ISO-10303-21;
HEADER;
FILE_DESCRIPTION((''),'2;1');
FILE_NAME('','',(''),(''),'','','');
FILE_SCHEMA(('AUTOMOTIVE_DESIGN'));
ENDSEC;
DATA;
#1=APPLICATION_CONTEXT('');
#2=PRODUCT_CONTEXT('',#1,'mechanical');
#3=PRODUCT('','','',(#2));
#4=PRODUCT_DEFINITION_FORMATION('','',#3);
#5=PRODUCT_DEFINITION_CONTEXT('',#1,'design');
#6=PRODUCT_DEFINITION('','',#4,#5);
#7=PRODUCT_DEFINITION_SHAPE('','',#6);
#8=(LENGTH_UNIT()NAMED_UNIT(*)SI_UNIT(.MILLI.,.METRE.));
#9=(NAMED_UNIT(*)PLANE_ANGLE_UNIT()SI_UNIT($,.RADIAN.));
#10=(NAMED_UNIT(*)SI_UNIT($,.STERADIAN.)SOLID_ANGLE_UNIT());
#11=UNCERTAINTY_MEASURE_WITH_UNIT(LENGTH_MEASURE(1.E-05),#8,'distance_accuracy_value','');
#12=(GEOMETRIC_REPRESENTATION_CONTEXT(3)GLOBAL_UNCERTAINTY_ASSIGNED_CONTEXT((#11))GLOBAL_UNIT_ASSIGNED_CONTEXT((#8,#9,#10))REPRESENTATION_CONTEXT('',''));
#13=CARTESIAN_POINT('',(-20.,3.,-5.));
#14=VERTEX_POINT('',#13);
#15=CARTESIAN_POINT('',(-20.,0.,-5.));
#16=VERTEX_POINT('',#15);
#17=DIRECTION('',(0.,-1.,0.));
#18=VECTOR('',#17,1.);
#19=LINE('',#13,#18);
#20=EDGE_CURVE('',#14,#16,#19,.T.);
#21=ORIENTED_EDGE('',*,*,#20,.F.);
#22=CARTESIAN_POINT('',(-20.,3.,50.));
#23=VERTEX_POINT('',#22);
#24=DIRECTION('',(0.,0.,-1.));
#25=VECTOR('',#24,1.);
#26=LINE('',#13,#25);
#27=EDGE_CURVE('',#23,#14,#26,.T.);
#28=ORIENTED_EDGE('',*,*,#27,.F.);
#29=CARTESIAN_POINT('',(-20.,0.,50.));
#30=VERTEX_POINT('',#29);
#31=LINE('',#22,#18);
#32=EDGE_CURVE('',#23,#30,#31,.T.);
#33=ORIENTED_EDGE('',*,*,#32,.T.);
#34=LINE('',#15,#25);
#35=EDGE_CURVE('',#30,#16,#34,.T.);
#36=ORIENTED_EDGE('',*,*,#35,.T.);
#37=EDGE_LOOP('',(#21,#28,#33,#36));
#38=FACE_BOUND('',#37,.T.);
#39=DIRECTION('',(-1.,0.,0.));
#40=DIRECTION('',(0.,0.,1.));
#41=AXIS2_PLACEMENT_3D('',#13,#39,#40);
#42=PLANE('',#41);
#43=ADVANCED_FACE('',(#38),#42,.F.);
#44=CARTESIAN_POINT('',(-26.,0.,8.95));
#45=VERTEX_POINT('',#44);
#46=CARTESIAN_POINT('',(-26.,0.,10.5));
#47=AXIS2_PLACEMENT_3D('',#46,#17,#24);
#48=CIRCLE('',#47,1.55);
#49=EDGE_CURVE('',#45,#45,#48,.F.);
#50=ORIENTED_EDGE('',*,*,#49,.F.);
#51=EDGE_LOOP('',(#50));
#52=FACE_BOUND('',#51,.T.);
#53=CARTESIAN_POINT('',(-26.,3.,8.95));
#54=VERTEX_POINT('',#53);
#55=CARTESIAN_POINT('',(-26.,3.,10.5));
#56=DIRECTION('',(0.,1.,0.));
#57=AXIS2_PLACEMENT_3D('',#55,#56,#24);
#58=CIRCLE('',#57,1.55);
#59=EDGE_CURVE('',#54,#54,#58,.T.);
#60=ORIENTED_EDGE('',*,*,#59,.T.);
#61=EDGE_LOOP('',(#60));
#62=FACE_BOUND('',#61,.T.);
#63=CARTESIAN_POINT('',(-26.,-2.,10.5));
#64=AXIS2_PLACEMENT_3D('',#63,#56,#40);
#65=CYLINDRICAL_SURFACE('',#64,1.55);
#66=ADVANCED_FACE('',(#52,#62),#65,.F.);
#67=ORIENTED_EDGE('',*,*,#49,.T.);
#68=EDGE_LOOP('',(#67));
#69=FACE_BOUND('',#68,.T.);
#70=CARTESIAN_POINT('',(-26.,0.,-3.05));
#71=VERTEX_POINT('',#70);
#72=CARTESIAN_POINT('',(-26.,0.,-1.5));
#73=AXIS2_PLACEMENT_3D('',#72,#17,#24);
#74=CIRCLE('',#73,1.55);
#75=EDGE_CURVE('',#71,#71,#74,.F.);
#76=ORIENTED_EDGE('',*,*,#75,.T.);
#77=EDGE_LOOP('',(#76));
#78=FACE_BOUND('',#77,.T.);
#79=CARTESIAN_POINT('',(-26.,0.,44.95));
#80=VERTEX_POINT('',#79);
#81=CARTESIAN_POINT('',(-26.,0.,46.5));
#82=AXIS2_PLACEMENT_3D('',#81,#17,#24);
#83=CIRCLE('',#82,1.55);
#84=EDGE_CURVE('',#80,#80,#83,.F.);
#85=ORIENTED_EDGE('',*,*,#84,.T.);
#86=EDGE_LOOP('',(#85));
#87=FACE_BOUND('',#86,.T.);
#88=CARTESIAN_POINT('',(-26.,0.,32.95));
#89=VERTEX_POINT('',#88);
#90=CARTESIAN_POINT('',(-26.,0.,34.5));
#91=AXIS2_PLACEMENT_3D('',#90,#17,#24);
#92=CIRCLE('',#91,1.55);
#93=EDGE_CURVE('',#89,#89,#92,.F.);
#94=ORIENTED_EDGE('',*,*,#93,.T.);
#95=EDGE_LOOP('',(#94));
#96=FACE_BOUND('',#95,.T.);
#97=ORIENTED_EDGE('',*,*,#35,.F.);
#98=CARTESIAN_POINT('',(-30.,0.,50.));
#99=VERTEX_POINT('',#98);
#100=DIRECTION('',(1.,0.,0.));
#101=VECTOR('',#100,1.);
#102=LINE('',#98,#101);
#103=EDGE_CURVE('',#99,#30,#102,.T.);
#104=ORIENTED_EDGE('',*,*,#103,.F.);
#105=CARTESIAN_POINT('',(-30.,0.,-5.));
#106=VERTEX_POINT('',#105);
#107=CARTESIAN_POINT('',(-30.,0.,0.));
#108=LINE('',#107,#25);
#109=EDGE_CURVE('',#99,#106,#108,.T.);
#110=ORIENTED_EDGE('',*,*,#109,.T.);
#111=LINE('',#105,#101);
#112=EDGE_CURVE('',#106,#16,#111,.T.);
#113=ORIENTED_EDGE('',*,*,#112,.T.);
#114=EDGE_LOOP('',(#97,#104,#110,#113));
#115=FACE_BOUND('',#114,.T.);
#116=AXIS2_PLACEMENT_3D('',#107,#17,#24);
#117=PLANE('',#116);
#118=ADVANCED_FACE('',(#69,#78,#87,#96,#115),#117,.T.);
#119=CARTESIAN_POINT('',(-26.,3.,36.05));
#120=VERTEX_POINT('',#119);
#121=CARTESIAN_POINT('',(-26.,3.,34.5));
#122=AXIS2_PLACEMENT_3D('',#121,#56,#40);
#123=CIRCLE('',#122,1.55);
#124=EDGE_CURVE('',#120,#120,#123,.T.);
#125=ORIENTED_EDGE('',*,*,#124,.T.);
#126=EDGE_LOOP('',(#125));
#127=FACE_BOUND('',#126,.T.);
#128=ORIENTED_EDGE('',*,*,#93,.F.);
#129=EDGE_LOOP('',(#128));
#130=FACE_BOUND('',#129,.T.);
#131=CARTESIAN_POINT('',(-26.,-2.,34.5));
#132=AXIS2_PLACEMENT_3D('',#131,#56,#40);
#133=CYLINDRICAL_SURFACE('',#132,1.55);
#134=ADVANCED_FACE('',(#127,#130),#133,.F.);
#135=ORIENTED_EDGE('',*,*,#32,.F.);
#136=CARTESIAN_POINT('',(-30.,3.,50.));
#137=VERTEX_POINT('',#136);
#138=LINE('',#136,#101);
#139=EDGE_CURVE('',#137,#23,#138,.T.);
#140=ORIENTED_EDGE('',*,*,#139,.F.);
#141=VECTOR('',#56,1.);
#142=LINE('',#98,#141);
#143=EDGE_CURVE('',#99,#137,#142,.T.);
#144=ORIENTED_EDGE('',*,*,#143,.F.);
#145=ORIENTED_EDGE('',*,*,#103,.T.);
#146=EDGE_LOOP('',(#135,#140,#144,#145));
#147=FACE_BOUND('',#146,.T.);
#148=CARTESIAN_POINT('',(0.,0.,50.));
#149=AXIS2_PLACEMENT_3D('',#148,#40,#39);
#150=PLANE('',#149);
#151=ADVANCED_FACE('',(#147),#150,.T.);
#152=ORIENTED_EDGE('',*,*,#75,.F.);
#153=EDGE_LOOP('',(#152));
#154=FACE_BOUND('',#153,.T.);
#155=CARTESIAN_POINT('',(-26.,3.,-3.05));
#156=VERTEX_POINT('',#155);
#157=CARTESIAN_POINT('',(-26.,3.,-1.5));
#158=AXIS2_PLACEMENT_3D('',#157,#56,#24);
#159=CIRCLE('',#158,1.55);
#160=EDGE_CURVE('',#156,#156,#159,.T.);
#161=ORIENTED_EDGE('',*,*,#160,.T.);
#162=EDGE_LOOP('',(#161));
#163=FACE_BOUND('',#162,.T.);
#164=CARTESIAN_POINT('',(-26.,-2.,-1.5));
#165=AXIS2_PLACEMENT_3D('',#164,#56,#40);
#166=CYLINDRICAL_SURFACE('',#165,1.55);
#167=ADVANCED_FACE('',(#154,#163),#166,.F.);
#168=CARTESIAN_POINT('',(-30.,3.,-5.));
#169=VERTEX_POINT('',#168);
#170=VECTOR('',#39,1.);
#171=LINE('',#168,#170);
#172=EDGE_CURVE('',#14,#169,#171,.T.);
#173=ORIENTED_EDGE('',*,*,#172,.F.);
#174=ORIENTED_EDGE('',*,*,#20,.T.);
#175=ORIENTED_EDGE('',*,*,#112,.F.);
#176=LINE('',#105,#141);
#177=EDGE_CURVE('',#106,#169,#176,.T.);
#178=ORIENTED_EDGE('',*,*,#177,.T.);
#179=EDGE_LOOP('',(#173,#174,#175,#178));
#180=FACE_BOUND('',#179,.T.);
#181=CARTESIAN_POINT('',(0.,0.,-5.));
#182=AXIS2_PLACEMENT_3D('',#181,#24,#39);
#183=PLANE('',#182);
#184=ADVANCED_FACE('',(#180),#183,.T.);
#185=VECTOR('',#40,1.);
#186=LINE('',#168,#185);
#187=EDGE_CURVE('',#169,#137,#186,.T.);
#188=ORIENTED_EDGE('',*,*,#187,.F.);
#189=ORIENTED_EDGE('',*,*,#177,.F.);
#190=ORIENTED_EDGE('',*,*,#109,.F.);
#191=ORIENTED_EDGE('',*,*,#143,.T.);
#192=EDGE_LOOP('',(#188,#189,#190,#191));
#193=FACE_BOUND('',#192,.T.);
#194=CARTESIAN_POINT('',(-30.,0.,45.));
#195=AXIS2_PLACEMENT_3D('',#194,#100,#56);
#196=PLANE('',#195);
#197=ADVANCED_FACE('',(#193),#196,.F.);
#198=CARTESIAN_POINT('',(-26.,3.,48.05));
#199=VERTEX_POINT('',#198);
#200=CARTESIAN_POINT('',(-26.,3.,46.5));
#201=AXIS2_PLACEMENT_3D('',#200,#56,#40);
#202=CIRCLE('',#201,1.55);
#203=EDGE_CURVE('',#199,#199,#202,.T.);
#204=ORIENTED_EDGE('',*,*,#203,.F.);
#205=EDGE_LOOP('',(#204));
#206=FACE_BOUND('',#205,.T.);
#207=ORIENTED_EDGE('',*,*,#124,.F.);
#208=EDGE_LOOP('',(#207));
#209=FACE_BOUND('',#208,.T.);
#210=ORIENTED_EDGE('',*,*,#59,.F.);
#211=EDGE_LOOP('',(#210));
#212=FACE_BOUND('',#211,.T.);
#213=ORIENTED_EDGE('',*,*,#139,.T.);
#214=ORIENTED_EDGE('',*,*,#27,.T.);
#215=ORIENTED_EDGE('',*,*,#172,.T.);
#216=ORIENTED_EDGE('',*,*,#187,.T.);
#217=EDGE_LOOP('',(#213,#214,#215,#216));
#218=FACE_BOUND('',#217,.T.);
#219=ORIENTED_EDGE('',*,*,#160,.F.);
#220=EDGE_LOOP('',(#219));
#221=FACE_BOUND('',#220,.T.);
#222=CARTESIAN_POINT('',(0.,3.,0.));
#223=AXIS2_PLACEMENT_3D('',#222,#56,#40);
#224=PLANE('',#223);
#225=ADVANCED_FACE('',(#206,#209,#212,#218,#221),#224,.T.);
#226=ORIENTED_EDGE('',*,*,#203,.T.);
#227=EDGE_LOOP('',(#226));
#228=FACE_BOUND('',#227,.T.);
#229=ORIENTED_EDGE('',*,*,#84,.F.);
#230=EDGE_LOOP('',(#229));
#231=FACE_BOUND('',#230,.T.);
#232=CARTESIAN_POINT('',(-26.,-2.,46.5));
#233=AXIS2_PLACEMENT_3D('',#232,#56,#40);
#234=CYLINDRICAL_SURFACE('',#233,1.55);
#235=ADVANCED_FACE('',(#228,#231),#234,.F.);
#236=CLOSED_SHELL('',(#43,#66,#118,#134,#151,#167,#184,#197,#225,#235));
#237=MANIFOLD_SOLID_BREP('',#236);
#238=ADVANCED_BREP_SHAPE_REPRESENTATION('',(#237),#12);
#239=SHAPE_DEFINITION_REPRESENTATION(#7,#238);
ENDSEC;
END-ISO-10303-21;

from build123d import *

# Parameters (mm, degrees)
BOSS_EXTRUDE1_DEPTH = 45
SKETCH2_W           = 31
SKETCH2_H           = 37
BOSS_EXTRUDE3_START = -45
BOSS_EXTRUDE3_DEPTH = 45
SKETCH4_R           = 5.05
CUT_EXTRUDE1_DEPTH  = 12
SKETCH5_W           = 5
SKETCH5_H           = 35
CUT_EXTRUDE2_DEPTH  = 67.895440801
BOSS_EXTRUDE5_DEPTH = 37
BOSS_EXTRUDE6_START = 5
SKETCH7_W           = 17.5
SKETCH7_H           = 7.441015215
BOSS_EXTRUDE6_DEPTH = 5
SKETCH9_W           = 15
SKETCH9_H           = 55
SKETCH9_W_2         = 10
BOSS_EXTRUDE7_DEPTH = 3
SKETCH12_R          = 1.55
CUT_EXTRUDE5_DEPTH  = 5
SKETCH13_W          = 7
SKETCH13_H          = 4
CUT_EXTRUDE6_DEPTH  = 90.162772501
CUT_EXTRUDE7_DEPTH  = 74.993242935


with BuildPart() as part:
    # Sketch1 → Boss-Extrude1 (new body)
    with BuildSketch(Plane.XY):
        with BuildLine():
            Line((35, 0), (-35, 0))
            ThreePointArc((-35, 0), (0, -35), (35, 0))
        make_face()
    extrude(amount=BOSS_EXTRUDE1_DEPTH)

    # Sketch2 → Cut-Revolve1 (revolve, cut)
    with BuildSketch(Plane(origin=(0, 0, 0), x_dir=(1, 0, 0), z_dir=(0, 1, 0))):
        with Locations((-15.5, -22.5)):
            Rectangle(SKETCH2_W, SKETCH2_H)
    revolve(axis=Axis((0, 0, 0), (0, 0, 1)), mode=Mode.SUBTRACT)

    # Sketch3 → Boss-Extrude3 (add)
    with BuildSketch(Plane.XY.offset(45).offset(BOSS_EXTRUDE3_START)):
        with BuildLine():
            Line((-17.5, -30.310889132), (-17.5, 0))
            Line((-17.5, 0), (-35, 0))
            Line((-35, 0), (-35, -35))
            Line((-35, -35), (0, -35))
            ThreePointArc((0, -35), (-9.058666579, -33.80740392), (-17.5, -30.310889132))
        make_face()
    extrude(amount=BOSS_EXTRUDE3_DEPTH)

    # Sketch4 → Cut-Extrude1 (cut)
    with BuildSketch(Plane.ZY.offset(35)):
        with Locations((10, -17.5)):
            Circle(SKETCH4_R)
        with Locations((35, -17.5)):
            Circle(SKETCH4_R)
    extrude(amount=-CUT_EXTRUDE1_DEPTH, mode=Mode.SUBTRACT)

    # Sketch5 → Cut-Extrude2 (cut, through all)
    with BuildSketch(Plane(origin=(0, 0, 0), x_dir=(-1, 0, 0), z_dir=(0, 0, -1))):
        with Locations((32.5, -17.5)):
            Rectangle(SKETCH5_W, SKETCH5_H)
    extrude(amount=-CUT_EXTRUDE2_DEPTH, mode=Mode.SUBTRACT)

    # Sketch6 → Boss-Extrude5 (add)
    with BuildSketch(Plane(origin=(0, 0, 41), x_dir=(-1, 0, 0), z_dir=(0, 0, -1))):
        with BuildLine():
            ThreePointArc((-31, 0), (-25.966324345, -16.933694222), (-12.5, -28.368115905))
            Line((-12.5, -28.368115905), (-12.5, 0))
            Line((-12.5, 0), (-31, 0))
        make_face()
        with BuildLine():
            Line((12.5, 0), (12.5, -28.368115905))
            ThreePointArc((12.5, -28.368115905), (15.064267175, -27.093686617), (17.5, -25.588083164))
            Line((17.5, -25.588083164), (17.5, 0))
            Line((17.5, 0), (12.5, 0))
        make_face()
    extrude(amount=BOSS_EXTRUDE5_DEPTH)

    # Sketch7 → Boss-Extrude6 (add)
    with BuildSketch(Plane(origin=(0, 0, 0), x_dir=(-1, 0, 0), z_dir=(0, 0, -1)).offset(BOSS_EXTRUDE6_START)):
        with BuildLine():
            Line((-12.5, 0), (-35, 0))
            ThreePointArc((-35, 0), (-34.799393274, -3.741955075), (-34.199872698, -7.441015215))
            Line((-34.199872698, -7.441015215), (-12.5, -7.441015215))
            Line((-12.5, -7.441015215), (-12.5, 0))
        make_face()
        with Locations((21.25, -3.720507608)):
            Rectangle(SKETCH7_W, SKETCH7_H)
    boss_extrude6 = extrude(amount=-BOSS_EXTRUDE6_DEPTH)

    # Mirror1: Boss-Extrude6 across plane
    add(boss_extrude6.mirror(Plane(origin=(0, 0, 22.5), x_dir=(1, 0, 0), z_dir=(0, 0, -1))))

    # Sketch9 → Boss-Extrude7 (add)
    with BuildSketch(Plane(origin=(0, 0, 0), x_dir=(1, 0, 0), z_dir=(0, 1, 0))):
        with Locations((27.5, -22.5)):
            Rectangle(SKETCH9_W, SKETCH9_H)
        with Locations((-25, -22.5)):
            Rectangle(SKETCH9_W_2, SKETCH9_H)
    extrude(amount=BOSS_EXTRUDE7_DEPTH)

    # Sketch12 → Cut-Extrude5 (cut)
    with BuildSketch(Plane(origin=(0, 3, 0), x_dir=(1, 0, 0), z_dir=(0, 1, 0))):
        with Locations((26, 1.5)):
            Circle(SKETCH12_R)
        with Locations((26, -10.5)):
            Circle(SKETCH12_R)
        with Locations((26, -34.5)):
            Circle(SKETCH12_R)
        with Locations((26, -46.5)):
            Circle(SKETCH12_R)
        with Locations((-26, 1.5)):
            Circle(SKETCH12_R)
        with Locations((-26, -10.5)):
            Circle(SKETCH12_R)
        with Locations((-26, -34.5)):
            Circle(SKETCH12_R)
        with Locations((-26, -46.5)):
            Circle(SKETCH12_R)
    extrude(amount=-CUT_EXTRUDE5_DEPTH, mode=Mode.SUBTRACT)

    # Sketch13 → Cut-Extrude6 (cut, through all)
    with BuildSketch(Plane(origin=(35, 0, 0), x_dir=(0, 0, -1), z_dir=(1, 0, 0))):
        with Locations((-46.5, -2)):
            Rectangle(SKETCH13_W, SKETCH13_H)
        with Locations((-34.5, -2)):
            Rectangle(SKETCH13_W, SKETCH13_H)
        with Locations((-10.5, -2)):
            Rectangle(SKETCH13_W, SKETCH13_H)
        with Locations((1.5, -2)):
            Rectangle(SKETCH13_W, SKETCH13_H)
    extrude(amount=-CUT_EXTRUDE6_DEPTH, mode=Mode.SUBTRACT)

    # Sketch14 → Cut-Extrude7 (cut, through all)
    with BuildSketch(Plane.XY.offset(50)):
        Polygon((-30, 0), (17.520447439, 0), (17.520447439, 7.572765699), (35.300582727, 7.572765699), (35.300582727, 0), (35.300582727, -35.487417881), (-30, -35.487417881), align=None)
    extrude(amount=-CUT_EXTRUDE7_DEPTH, mode=Mode.SUBTRACT)


solid = part.part
